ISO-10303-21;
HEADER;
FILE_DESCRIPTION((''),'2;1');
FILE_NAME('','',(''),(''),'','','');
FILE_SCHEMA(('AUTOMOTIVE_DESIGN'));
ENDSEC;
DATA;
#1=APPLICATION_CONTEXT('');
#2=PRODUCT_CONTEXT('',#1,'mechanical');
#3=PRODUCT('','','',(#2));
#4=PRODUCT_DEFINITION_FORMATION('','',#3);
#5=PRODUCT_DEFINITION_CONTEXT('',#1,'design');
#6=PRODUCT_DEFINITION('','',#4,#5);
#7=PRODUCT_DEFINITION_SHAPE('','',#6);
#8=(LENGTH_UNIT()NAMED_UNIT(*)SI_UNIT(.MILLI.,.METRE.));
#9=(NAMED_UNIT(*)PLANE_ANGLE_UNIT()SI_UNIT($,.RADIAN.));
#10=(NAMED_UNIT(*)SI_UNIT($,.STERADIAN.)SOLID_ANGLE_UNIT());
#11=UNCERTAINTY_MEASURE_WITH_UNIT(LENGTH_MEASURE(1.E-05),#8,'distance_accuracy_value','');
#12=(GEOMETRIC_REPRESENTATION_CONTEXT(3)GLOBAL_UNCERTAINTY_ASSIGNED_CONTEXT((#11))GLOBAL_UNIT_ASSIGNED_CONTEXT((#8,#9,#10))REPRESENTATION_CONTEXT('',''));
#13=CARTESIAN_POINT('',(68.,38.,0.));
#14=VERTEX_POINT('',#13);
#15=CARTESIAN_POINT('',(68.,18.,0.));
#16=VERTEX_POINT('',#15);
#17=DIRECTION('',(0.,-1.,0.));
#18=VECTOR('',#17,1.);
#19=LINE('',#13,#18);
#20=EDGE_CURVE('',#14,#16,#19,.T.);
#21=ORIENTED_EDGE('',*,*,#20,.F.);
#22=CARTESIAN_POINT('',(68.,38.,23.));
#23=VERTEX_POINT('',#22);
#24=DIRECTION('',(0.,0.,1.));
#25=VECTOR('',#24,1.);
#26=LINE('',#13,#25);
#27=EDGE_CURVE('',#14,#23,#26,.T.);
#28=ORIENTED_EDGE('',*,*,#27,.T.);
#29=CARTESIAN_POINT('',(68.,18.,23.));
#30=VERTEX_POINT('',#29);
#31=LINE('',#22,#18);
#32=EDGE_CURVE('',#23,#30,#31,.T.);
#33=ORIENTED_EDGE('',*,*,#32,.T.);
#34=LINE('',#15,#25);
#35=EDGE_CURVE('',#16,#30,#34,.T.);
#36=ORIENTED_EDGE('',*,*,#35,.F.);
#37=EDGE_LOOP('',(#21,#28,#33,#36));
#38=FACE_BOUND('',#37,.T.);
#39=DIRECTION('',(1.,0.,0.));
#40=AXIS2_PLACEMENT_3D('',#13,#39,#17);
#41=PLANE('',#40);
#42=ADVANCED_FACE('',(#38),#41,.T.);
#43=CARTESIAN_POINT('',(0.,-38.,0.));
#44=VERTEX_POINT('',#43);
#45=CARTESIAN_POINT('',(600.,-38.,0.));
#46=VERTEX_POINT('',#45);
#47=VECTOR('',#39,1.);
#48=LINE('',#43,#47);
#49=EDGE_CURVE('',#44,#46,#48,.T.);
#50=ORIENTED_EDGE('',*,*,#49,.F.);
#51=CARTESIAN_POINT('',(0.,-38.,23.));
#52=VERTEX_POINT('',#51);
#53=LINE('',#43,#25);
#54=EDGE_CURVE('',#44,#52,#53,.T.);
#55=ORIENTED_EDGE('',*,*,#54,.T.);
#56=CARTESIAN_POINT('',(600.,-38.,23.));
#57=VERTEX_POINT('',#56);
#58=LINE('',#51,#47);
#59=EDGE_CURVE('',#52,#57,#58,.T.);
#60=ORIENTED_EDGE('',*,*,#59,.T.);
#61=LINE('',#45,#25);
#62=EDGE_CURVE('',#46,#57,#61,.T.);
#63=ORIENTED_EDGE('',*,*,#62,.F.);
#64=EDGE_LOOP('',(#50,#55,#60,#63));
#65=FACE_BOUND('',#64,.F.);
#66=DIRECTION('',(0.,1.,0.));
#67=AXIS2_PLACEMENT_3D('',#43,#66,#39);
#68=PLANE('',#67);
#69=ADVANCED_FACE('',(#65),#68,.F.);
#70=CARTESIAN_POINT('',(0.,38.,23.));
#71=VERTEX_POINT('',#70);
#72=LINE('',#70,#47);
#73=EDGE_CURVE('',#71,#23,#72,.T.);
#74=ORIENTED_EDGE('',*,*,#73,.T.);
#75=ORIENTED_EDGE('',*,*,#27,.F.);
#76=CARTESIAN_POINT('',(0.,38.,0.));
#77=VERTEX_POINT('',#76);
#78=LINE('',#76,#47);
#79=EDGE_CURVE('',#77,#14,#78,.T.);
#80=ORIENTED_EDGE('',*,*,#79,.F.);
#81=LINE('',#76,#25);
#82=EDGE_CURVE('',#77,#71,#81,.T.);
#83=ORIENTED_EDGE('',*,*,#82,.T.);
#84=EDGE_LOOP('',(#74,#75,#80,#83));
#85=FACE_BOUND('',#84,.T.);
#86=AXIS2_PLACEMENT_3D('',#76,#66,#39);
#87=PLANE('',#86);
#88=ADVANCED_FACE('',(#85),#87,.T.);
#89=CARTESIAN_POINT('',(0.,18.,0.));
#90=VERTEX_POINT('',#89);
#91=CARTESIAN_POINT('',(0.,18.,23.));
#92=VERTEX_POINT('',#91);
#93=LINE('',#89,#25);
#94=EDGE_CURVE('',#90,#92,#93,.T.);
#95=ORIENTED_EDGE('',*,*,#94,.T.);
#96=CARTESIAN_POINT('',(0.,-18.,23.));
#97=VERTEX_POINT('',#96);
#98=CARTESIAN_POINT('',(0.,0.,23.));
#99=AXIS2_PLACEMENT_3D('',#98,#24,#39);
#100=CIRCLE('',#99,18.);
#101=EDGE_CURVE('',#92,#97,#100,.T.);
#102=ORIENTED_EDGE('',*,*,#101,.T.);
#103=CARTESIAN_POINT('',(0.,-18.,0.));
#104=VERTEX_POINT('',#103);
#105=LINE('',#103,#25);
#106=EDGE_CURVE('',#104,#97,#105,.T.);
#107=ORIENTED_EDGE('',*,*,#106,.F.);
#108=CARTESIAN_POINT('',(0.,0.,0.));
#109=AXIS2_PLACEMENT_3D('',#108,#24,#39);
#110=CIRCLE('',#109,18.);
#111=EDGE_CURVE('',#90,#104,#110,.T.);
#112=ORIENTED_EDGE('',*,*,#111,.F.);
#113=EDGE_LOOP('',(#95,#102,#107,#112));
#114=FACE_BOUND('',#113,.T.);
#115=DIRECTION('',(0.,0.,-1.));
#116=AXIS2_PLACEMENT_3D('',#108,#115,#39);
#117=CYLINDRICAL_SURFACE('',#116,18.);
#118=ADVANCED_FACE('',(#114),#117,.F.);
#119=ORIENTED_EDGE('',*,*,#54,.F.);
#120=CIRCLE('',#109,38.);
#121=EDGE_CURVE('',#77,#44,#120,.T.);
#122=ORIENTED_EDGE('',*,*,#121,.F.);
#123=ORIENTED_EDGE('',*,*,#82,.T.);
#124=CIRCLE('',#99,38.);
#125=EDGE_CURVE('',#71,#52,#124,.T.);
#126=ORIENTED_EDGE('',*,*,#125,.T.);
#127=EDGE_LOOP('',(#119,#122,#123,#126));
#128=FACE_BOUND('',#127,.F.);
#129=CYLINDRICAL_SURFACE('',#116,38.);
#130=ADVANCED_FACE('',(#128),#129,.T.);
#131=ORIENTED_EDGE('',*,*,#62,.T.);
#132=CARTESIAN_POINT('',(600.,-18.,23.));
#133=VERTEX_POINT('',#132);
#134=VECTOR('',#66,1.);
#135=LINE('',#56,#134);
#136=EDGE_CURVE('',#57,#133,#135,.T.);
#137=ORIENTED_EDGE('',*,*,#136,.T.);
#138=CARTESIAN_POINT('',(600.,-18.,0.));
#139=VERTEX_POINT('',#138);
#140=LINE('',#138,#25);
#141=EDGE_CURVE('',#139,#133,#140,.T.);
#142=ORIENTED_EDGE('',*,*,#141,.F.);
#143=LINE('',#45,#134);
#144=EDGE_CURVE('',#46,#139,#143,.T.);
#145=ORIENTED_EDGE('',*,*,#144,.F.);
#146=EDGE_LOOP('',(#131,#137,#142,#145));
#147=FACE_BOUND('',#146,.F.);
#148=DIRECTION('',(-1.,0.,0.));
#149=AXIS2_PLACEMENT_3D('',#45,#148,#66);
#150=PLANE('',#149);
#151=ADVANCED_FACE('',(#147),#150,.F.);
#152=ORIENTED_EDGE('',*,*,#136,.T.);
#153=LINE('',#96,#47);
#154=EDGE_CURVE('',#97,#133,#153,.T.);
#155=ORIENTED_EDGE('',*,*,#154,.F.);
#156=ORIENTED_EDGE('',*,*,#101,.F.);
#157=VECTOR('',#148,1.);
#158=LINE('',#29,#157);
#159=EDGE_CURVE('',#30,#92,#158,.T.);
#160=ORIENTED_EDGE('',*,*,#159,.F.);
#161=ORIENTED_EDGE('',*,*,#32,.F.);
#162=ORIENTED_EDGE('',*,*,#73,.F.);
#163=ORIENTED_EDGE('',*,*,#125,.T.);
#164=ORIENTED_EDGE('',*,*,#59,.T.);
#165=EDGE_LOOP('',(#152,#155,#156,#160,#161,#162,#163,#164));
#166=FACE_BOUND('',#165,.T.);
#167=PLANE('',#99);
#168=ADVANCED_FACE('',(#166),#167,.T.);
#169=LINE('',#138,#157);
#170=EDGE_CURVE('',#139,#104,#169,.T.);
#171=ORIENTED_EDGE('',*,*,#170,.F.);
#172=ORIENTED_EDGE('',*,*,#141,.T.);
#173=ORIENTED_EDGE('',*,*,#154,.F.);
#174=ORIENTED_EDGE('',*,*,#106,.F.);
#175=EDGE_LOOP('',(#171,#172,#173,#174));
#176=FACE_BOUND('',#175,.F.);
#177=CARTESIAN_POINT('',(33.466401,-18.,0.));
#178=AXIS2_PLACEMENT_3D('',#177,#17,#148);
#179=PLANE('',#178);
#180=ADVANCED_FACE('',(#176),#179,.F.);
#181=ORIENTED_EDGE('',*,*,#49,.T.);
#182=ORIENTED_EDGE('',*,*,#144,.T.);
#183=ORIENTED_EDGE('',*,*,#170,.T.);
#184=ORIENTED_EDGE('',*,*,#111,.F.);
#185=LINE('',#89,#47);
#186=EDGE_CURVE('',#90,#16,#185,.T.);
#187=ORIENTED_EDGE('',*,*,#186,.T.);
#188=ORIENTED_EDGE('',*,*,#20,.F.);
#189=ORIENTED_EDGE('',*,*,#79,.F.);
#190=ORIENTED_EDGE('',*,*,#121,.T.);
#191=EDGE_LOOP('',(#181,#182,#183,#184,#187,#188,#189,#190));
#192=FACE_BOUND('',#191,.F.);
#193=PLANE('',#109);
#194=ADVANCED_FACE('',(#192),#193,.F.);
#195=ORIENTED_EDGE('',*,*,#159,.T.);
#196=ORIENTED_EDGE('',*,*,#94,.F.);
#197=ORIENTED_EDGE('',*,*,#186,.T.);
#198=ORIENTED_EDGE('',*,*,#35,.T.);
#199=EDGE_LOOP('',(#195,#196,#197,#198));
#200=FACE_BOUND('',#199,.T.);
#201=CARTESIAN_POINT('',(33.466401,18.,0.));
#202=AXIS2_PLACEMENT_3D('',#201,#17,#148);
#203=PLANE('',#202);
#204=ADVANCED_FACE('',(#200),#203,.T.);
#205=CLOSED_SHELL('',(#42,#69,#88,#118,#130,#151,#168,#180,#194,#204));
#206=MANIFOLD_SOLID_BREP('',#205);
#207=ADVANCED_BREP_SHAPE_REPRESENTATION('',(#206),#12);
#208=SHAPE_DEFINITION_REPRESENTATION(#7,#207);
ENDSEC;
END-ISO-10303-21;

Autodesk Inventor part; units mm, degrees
ref_plane "YZ Plane" through (0, 0, 0) normal (1, 0, 0) x (0, 1, 0)
ref_plane "XZ Plane" through (0, 0, 0) normal (0, 1, 0) x (-1, 0, 0)
ref_plane "XY Plane" through (0, 0, 0) normal (0, 0, 1) x (1, 0, 0)
sketch "Sketch1" plane through (0, 0, 0) normal (0, 0, 1) x (1, 0, 0)
  circle A0 centre (0, 0) radius 38
  line L0 (0, -38) -> (600, -38)
  line L1 (600, -38) -> (600, -18)
  line L2 (600, -18) -> (0, -18)
  line L3 (0, -18) -> (0, -38)
  line L4 (0, 38) -> (68, 38)
  line L5 (68, 38) -> (68, 18)
  line L6 (68, 18) -> (0, 18)
  line L7 (0, 18) -> (0, 38)
  circle A1 centre (0, 0) radius 18
  dimension "d0" = 76
  dimension "d1" = 20
  dimension "d2" = 20
  dimension "d4" = 600
  dimension "d7" = 68
extrude "Extrusion1" add sketch "Sketch1" along normal blind 23 contours L7 A1 L3 A0 | L4 L5 L6 A0 | A0 L6 L7 | L3 L2 A0 | A0 L2 L1 L0
properties part number "J15BF.1.20_Yaxis"
